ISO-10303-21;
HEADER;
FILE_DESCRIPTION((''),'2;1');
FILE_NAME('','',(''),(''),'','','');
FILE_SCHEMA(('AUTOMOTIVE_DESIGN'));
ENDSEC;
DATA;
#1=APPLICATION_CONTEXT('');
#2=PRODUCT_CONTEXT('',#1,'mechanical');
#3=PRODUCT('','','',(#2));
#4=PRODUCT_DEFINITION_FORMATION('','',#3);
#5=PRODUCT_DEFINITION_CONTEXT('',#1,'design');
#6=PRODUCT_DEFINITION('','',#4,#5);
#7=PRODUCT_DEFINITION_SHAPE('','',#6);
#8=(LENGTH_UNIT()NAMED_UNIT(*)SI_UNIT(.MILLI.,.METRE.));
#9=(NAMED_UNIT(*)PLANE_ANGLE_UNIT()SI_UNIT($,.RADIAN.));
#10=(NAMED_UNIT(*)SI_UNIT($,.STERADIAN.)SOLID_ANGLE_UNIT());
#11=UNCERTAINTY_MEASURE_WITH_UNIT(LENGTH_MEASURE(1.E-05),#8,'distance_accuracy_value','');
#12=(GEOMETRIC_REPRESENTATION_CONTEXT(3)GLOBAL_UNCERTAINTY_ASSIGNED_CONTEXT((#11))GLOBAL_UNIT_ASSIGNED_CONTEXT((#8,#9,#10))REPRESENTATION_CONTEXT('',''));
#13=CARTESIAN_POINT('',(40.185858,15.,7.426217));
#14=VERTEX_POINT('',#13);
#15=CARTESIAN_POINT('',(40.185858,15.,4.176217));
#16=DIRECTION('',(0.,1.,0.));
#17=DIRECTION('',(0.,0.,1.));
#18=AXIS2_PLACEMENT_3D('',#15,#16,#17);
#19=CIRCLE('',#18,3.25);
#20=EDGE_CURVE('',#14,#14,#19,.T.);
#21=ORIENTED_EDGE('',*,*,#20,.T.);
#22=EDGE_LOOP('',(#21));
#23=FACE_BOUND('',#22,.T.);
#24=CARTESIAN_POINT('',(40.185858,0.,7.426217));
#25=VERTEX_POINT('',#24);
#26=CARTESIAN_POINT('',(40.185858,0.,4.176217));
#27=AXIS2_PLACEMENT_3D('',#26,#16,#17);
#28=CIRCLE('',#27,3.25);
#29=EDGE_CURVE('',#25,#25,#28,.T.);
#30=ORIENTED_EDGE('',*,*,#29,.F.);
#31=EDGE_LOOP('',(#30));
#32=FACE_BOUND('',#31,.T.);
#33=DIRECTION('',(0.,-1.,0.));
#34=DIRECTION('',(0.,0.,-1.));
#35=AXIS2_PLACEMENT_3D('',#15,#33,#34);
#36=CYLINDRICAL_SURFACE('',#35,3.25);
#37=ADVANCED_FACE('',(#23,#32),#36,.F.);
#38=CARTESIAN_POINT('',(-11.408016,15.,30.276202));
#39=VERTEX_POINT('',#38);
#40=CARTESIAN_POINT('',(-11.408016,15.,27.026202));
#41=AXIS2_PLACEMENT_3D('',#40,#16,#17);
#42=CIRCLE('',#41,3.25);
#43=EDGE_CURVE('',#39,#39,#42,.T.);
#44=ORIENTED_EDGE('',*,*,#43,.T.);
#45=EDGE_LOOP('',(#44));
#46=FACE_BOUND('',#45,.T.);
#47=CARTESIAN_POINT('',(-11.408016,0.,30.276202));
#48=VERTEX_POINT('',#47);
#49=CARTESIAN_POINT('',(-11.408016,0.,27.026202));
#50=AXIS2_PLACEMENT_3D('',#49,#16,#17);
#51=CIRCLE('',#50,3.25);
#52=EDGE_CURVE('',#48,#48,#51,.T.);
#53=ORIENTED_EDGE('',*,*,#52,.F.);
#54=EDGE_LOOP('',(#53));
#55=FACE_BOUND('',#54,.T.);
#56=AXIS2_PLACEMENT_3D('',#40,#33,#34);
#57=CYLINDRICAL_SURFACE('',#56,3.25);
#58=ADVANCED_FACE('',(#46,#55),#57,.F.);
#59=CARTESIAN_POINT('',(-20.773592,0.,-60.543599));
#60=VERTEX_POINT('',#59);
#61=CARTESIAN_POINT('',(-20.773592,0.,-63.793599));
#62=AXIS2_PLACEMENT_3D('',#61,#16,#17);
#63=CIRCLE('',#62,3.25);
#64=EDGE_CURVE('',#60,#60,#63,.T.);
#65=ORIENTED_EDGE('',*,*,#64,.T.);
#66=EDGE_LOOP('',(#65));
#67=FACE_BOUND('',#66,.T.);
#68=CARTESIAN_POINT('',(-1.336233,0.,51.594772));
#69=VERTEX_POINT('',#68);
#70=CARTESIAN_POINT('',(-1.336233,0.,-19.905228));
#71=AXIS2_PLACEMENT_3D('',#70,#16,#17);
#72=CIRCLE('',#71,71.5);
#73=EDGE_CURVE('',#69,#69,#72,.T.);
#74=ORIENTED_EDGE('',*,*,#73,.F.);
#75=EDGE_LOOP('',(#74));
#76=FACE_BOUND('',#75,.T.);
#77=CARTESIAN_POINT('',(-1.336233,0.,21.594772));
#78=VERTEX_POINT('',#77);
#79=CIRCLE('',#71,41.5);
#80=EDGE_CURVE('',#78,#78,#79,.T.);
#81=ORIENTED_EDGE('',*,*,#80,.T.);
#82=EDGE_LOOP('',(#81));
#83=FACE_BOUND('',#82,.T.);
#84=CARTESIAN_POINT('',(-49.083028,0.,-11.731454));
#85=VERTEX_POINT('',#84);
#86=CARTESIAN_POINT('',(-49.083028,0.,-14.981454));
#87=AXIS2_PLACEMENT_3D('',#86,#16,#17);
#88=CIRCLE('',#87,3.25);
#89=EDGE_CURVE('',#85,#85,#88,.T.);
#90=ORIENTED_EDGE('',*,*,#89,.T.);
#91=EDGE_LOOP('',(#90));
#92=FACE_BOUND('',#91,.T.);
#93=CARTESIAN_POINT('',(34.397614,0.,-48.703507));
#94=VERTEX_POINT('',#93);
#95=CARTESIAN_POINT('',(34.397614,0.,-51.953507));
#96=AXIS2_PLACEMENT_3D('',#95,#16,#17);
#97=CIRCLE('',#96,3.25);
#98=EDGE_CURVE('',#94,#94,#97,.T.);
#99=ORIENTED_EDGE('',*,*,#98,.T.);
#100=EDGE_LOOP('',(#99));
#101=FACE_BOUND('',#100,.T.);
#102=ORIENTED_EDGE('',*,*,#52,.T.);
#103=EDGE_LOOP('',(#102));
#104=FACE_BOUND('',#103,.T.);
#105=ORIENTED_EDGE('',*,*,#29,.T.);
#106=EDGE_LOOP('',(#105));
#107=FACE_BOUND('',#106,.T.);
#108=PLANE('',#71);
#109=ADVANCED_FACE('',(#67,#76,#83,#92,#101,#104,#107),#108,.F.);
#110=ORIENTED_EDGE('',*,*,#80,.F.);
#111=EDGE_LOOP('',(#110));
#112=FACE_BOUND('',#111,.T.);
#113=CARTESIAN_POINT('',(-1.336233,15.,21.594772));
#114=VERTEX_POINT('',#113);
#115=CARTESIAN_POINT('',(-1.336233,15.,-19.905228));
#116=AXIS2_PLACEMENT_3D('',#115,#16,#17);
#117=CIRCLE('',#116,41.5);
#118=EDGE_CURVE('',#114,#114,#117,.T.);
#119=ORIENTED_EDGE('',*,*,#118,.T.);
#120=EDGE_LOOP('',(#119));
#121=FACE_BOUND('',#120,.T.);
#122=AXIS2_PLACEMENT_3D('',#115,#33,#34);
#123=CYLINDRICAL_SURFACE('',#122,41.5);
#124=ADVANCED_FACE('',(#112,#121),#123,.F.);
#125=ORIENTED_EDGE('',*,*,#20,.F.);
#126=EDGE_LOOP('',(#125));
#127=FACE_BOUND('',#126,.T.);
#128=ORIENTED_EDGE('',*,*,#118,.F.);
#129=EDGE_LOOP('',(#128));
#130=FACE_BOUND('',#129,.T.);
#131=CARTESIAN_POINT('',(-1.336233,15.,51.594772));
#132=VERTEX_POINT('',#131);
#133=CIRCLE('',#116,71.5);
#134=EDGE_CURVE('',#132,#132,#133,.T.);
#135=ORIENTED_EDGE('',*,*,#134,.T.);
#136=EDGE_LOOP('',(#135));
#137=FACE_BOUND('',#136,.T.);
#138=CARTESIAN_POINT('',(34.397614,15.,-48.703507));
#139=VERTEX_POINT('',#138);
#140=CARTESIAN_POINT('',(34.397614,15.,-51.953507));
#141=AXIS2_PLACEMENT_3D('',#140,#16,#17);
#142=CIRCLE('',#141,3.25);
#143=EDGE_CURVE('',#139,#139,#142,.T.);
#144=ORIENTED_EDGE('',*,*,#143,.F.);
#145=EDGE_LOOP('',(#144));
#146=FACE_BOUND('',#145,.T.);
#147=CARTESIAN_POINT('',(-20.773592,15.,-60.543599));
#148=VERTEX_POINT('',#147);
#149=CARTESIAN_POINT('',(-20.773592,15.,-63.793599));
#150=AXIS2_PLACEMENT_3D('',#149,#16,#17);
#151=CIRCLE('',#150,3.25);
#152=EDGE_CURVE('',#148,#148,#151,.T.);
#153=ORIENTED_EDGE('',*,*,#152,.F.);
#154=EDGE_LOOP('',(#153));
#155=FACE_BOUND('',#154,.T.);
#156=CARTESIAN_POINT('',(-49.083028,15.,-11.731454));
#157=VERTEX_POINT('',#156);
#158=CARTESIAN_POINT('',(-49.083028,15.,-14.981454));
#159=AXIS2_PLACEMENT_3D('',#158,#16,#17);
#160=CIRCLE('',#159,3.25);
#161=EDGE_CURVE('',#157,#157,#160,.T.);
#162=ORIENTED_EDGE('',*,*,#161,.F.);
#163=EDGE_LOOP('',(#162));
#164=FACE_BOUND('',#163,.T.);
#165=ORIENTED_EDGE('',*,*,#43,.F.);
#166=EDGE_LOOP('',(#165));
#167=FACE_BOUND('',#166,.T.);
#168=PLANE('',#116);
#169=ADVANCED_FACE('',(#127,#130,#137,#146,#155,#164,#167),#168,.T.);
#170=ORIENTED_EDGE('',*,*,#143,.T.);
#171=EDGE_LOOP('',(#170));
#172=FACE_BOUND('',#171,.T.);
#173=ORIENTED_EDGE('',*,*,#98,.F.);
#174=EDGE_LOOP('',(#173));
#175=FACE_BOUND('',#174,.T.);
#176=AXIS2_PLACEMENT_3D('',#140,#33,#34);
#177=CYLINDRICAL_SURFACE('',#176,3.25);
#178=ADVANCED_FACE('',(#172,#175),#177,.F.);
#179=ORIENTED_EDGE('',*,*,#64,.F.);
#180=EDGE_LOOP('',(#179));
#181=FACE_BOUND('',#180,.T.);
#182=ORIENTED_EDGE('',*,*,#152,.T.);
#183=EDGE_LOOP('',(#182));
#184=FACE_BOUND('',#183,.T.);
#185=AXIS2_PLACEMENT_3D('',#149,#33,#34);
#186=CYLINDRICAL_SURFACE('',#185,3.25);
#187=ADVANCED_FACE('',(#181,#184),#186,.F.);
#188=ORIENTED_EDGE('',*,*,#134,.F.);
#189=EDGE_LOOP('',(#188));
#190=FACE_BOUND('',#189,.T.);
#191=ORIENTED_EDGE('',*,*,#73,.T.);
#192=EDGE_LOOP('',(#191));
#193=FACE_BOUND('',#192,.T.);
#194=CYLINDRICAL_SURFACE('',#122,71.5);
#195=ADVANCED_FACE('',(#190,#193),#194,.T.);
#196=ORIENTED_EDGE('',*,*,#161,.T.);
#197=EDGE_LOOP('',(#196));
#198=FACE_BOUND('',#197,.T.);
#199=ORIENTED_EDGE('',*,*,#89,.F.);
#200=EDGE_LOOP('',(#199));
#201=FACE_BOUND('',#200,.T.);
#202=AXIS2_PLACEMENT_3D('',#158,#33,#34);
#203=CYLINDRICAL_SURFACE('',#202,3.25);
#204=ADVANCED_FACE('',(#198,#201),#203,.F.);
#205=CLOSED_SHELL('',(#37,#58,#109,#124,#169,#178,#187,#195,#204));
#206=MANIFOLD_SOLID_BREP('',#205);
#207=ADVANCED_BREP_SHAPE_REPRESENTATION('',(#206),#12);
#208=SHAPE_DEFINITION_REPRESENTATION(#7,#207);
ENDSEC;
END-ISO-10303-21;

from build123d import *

# Parameters (mm, degrees)
SKETCH1_R           = 71.5
SKETCH1_R_2         = 41.5
SKETCH1_R_3         = 3.25
BOSS_EXTRUDE1_DEPTH = 15


with BuildPart() as part:
    # Sketch1 → Boss-Extrude1 (new body)
    with BuildSketch(Plane(origin=(0, 0, 0), x_dir=(1, 0, 0), z_dir=(0, 1, 0))):
        with Locations(Location((-1.336232833, 19.905228099, 0), (0, 0, 270))):
            Circle(SKETCH1_R)
        with Locations(Location((-1.336232833, 19.905228099, 0), (0, 0, 270))):
            Circle(SKETCH1_R_2, mode=Mode.SUBTRACT)
        with Locations(Location((40.185857772, -4.176216869, 0), (0, 0, 270))):
            Circle(SKETCH1_R_3, mode=Mode.SUBTRACT)
        with Locations(Location((34.397613964, 51.953507196, 0), (0, 0, 270))):
            Circle(SKETCH1_R_3, mode=Mode.SUBTRACT)
        with Locations(Location((-20.773591569, 63.793598829, 0), (0, 0, 270))):
            Circle(SKETCH1_R_3, mode=Mode.SUBTRACT)
        with Locations(Location((-49.083027981, 14.981453825, 0), (0, 0, 270))):
            Circle(SKETCH1_R_3, mode=Mode.SUBTRACT)
        with Locations(Location((-11.408016353, -27.026202486, 0), (0, 0, 270))):
            Circle(SKETCH1_R_3, mode=Mode.SUBTRACT)
    extrude(amount=BOSS_EXTRUDE1_DEPTH)


solid = part.part
